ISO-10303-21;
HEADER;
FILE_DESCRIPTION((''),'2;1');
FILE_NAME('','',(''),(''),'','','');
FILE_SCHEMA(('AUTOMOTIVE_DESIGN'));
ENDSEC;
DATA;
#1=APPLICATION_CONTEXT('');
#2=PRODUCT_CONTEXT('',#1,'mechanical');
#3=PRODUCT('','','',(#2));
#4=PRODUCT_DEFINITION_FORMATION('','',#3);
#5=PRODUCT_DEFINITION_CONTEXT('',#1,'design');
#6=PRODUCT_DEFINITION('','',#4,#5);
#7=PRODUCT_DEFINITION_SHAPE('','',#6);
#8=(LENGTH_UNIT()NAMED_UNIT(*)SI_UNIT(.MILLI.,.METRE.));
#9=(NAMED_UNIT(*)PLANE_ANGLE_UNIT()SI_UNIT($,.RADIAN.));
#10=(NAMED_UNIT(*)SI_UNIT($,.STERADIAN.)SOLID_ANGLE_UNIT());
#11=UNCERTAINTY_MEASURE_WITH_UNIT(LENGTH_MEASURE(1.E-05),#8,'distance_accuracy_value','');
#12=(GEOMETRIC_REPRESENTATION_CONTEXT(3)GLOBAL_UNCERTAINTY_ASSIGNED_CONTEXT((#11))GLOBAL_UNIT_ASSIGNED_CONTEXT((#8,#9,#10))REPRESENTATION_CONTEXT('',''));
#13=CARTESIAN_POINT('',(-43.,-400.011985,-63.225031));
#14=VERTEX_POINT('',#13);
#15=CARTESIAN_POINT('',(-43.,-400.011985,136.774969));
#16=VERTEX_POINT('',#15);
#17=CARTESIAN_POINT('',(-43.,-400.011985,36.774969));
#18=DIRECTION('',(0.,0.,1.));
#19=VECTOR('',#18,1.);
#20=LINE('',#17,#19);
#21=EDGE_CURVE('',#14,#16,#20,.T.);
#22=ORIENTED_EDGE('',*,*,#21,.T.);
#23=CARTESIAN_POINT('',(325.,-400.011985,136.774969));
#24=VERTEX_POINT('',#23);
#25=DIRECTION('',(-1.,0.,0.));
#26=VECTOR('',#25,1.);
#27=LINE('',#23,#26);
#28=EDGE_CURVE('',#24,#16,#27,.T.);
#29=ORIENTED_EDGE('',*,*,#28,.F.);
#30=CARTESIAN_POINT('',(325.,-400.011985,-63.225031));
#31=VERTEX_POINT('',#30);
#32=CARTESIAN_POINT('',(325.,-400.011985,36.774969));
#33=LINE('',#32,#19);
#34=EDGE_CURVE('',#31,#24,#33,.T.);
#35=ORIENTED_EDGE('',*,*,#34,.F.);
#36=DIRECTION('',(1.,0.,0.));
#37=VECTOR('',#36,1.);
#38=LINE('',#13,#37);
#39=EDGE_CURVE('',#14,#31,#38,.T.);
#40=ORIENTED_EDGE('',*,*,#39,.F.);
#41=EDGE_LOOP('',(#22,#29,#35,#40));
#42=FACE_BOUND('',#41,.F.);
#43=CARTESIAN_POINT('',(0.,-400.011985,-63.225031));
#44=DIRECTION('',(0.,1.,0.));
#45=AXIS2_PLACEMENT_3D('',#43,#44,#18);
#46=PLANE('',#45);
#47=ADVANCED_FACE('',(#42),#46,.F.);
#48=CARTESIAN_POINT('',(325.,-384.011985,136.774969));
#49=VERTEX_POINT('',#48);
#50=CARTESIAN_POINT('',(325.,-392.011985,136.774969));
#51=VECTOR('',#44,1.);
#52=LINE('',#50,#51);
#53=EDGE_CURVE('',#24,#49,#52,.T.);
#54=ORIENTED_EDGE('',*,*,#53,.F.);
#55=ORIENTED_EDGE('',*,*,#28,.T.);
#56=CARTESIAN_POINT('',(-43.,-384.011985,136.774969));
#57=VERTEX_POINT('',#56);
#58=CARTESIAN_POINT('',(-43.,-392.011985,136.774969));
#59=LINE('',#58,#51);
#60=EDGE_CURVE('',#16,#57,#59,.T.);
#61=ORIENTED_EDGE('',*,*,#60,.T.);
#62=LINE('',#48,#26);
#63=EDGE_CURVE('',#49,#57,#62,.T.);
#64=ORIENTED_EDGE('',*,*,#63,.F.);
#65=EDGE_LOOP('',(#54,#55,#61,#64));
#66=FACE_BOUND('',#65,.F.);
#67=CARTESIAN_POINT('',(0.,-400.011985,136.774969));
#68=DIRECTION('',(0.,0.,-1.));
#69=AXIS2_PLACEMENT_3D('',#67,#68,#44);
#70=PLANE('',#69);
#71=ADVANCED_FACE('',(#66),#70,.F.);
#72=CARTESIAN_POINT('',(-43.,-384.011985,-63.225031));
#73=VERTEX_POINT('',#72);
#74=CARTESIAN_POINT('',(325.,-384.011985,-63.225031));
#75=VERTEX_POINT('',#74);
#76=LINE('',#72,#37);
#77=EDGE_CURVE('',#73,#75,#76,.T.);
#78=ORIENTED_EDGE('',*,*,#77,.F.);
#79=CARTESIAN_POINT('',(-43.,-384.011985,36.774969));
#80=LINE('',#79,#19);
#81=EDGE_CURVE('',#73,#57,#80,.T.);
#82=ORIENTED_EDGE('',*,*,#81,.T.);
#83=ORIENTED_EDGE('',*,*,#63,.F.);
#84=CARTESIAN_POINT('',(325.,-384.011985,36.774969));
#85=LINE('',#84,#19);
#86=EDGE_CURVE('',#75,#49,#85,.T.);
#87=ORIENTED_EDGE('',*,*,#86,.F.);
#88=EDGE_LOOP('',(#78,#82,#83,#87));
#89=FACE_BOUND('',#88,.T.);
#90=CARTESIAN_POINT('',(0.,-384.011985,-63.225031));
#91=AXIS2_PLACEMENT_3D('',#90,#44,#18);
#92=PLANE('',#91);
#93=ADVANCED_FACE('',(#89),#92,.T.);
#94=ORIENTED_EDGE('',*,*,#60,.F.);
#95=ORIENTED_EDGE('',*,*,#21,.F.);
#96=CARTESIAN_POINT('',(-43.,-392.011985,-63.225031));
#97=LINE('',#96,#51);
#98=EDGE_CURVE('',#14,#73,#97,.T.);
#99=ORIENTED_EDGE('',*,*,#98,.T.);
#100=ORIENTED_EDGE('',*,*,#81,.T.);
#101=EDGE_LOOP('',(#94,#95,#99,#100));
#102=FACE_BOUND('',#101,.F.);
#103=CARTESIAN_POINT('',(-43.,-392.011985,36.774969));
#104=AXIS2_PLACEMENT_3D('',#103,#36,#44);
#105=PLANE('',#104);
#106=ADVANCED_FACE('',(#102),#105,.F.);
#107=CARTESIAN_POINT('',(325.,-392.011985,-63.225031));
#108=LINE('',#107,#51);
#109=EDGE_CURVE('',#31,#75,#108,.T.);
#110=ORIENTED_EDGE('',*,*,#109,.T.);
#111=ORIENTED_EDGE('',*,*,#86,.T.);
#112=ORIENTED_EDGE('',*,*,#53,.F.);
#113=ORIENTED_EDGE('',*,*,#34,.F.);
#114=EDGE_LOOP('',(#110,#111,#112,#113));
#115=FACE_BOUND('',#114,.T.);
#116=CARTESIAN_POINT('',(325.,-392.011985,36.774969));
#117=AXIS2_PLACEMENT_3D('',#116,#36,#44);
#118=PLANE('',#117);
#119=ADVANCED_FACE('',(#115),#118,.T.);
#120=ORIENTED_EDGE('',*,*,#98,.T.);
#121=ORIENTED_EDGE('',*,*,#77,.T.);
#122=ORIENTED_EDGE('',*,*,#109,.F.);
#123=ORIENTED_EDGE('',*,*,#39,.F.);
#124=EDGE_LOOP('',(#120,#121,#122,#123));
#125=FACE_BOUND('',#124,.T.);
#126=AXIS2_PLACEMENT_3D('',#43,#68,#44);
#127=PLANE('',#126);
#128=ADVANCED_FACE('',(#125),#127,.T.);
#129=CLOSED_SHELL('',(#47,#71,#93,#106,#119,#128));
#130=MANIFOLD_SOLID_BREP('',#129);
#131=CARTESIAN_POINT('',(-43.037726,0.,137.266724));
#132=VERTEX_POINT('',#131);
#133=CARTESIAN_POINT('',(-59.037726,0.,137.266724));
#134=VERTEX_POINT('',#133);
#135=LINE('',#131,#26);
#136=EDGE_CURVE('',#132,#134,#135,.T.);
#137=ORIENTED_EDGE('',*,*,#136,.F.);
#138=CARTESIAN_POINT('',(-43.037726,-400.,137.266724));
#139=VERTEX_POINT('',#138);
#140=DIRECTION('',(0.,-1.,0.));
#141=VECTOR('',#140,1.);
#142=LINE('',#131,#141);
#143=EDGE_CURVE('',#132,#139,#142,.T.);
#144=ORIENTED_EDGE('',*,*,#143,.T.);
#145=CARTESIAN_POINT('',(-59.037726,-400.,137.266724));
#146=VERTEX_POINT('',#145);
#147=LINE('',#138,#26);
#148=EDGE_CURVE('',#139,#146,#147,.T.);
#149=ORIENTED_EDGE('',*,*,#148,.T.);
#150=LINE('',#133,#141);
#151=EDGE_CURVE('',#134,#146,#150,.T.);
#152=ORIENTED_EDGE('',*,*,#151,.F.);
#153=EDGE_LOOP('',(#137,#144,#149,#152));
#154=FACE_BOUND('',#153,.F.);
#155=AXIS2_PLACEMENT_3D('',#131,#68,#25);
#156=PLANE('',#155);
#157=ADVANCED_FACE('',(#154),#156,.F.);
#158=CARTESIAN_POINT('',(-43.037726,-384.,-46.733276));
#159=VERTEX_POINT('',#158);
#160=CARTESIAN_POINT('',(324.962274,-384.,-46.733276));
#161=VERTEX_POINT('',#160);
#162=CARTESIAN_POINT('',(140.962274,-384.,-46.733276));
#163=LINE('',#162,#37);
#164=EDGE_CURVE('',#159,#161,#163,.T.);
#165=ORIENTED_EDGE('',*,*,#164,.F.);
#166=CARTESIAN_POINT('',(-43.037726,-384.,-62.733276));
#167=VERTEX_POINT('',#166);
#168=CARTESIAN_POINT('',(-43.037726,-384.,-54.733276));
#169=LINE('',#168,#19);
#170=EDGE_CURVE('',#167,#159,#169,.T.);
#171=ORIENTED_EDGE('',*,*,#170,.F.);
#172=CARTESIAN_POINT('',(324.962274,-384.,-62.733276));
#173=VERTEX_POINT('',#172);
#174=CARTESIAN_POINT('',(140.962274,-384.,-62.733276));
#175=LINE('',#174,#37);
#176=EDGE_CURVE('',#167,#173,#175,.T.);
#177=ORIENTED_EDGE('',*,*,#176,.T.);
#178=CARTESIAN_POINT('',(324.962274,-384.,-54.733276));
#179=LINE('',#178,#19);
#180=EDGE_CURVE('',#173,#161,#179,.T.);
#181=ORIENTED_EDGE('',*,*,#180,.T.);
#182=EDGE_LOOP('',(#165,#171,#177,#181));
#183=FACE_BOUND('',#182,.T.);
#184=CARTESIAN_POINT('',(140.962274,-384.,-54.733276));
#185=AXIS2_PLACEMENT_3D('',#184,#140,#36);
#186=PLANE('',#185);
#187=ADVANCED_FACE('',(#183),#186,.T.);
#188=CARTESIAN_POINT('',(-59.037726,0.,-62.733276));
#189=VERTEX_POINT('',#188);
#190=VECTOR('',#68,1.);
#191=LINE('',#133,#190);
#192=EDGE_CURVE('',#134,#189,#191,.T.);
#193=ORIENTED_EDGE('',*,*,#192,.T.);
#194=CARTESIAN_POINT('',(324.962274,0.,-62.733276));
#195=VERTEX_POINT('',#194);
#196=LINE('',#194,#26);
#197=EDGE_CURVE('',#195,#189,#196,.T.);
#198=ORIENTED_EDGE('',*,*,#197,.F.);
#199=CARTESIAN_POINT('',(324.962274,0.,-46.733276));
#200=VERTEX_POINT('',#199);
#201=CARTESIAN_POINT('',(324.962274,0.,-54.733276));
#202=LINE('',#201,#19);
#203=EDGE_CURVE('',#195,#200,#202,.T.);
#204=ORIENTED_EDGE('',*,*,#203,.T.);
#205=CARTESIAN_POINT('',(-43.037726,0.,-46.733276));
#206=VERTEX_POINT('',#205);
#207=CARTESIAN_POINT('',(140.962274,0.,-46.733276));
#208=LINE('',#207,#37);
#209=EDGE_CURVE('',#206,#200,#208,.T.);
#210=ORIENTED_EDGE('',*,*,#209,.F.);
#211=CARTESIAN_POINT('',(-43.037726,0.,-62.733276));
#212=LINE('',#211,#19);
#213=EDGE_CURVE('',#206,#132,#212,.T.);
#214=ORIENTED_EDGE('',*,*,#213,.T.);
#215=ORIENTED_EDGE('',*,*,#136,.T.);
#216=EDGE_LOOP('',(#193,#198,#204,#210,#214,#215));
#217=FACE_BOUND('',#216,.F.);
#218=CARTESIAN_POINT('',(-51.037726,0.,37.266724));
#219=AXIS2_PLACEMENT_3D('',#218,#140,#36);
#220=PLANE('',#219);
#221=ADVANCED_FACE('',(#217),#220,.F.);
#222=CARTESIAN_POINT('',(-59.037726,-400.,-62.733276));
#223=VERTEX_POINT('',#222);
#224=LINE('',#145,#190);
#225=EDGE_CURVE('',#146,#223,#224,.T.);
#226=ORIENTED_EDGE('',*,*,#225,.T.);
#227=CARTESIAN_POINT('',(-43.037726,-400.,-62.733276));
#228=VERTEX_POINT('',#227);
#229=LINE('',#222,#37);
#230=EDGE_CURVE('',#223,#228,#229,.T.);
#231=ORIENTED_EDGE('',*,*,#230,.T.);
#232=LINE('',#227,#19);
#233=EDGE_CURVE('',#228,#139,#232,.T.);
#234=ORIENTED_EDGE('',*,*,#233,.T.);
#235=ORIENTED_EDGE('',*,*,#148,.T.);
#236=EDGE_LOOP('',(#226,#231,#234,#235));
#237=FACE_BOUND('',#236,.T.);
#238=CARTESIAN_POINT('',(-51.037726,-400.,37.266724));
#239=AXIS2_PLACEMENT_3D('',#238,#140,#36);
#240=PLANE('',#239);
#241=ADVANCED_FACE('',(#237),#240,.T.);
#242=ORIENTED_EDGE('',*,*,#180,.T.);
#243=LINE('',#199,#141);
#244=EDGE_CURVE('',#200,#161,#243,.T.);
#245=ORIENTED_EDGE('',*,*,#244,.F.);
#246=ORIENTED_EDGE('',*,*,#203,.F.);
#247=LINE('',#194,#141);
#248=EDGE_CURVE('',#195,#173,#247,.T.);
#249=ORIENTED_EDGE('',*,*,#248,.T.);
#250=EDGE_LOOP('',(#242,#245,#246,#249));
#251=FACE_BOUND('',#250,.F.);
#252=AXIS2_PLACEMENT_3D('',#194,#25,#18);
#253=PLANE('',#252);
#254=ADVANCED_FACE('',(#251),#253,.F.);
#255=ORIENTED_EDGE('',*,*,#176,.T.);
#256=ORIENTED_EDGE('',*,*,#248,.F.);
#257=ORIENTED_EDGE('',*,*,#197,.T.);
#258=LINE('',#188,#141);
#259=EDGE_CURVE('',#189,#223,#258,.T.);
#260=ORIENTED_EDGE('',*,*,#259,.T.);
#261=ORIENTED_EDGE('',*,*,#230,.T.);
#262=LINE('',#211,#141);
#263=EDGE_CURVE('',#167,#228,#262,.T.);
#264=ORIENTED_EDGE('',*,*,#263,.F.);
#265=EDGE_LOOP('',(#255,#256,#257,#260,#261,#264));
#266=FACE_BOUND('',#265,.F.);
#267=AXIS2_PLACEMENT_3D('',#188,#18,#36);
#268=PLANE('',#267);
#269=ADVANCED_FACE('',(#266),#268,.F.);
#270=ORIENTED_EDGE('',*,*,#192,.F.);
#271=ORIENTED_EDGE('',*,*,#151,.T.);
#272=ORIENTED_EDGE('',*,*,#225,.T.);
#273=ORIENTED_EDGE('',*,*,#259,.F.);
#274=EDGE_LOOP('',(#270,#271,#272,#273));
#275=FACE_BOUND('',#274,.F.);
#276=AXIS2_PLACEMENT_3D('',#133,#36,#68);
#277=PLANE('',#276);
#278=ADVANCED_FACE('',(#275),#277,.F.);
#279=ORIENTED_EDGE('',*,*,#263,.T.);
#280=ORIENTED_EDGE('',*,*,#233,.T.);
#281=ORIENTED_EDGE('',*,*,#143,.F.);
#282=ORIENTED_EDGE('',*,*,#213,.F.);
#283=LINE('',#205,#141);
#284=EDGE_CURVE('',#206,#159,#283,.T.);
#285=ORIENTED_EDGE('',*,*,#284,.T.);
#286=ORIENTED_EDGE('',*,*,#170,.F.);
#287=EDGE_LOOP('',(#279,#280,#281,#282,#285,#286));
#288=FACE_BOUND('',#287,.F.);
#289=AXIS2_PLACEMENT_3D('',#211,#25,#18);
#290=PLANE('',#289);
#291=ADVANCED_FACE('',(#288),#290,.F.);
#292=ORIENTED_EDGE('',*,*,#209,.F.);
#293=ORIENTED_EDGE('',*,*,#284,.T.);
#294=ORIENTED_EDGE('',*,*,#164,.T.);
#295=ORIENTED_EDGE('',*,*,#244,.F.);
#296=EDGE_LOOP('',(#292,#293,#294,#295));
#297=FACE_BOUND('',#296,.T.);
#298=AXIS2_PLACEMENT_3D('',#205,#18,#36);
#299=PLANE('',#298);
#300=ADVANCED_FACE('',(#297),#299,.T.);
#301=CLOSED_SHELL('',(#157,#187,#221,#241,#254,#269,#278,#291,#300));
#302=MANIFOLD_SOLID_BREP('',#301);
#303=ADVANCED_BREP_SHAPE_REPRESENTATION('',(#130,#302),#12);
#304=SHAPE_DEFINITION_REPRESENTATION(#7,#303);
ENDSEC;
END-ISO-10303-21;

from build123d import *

# Parameters (mm, degrees)
F0_W          = 368
F0_H          = 16
F1_DEPTH      = 384
F2_DEPTH      = 400
F3_W          = 16
F3_H          = 200
F4_DEPTH      = 325
F4_DEPTH_BACK = 43


with BuildPart() as f1:
    # F0 (on Front) → F1 (new body)
    with BuildSketch(Plane.XZ):
        with Locations((140.962274, -54.733276)):
            Rectangle(F0_W, F0_H)
    extrude(amount=F1_DEPTH)

    # F0 (on Front) → F2 (join)
    with BuildSketch(Plane.XZ):
        Polygon((-43.037726, 137.266724), (-59.037726, 137.266724), (-59.037726, -62.733276), (-43.037726, -62.733276), (-43.037726, -46.733276), align=None)
    extrude(amount=F2_DEPTH)


with BuildPart() as f4:
    # F3 (on Right) → F4 (new body, two sides)
    with BuildSketch(Plane.YZ) as f4_sk:
        with Locations((-392.011985, 36.774969)):
            Rectangle(F3_W, F3_H)
    extrude(amount=F4_DEPTH)
    extrude(f4_sk.sketch, amount=-F4_DEPTH_BACK)


solid = Compound([f1.part, f4.part])
